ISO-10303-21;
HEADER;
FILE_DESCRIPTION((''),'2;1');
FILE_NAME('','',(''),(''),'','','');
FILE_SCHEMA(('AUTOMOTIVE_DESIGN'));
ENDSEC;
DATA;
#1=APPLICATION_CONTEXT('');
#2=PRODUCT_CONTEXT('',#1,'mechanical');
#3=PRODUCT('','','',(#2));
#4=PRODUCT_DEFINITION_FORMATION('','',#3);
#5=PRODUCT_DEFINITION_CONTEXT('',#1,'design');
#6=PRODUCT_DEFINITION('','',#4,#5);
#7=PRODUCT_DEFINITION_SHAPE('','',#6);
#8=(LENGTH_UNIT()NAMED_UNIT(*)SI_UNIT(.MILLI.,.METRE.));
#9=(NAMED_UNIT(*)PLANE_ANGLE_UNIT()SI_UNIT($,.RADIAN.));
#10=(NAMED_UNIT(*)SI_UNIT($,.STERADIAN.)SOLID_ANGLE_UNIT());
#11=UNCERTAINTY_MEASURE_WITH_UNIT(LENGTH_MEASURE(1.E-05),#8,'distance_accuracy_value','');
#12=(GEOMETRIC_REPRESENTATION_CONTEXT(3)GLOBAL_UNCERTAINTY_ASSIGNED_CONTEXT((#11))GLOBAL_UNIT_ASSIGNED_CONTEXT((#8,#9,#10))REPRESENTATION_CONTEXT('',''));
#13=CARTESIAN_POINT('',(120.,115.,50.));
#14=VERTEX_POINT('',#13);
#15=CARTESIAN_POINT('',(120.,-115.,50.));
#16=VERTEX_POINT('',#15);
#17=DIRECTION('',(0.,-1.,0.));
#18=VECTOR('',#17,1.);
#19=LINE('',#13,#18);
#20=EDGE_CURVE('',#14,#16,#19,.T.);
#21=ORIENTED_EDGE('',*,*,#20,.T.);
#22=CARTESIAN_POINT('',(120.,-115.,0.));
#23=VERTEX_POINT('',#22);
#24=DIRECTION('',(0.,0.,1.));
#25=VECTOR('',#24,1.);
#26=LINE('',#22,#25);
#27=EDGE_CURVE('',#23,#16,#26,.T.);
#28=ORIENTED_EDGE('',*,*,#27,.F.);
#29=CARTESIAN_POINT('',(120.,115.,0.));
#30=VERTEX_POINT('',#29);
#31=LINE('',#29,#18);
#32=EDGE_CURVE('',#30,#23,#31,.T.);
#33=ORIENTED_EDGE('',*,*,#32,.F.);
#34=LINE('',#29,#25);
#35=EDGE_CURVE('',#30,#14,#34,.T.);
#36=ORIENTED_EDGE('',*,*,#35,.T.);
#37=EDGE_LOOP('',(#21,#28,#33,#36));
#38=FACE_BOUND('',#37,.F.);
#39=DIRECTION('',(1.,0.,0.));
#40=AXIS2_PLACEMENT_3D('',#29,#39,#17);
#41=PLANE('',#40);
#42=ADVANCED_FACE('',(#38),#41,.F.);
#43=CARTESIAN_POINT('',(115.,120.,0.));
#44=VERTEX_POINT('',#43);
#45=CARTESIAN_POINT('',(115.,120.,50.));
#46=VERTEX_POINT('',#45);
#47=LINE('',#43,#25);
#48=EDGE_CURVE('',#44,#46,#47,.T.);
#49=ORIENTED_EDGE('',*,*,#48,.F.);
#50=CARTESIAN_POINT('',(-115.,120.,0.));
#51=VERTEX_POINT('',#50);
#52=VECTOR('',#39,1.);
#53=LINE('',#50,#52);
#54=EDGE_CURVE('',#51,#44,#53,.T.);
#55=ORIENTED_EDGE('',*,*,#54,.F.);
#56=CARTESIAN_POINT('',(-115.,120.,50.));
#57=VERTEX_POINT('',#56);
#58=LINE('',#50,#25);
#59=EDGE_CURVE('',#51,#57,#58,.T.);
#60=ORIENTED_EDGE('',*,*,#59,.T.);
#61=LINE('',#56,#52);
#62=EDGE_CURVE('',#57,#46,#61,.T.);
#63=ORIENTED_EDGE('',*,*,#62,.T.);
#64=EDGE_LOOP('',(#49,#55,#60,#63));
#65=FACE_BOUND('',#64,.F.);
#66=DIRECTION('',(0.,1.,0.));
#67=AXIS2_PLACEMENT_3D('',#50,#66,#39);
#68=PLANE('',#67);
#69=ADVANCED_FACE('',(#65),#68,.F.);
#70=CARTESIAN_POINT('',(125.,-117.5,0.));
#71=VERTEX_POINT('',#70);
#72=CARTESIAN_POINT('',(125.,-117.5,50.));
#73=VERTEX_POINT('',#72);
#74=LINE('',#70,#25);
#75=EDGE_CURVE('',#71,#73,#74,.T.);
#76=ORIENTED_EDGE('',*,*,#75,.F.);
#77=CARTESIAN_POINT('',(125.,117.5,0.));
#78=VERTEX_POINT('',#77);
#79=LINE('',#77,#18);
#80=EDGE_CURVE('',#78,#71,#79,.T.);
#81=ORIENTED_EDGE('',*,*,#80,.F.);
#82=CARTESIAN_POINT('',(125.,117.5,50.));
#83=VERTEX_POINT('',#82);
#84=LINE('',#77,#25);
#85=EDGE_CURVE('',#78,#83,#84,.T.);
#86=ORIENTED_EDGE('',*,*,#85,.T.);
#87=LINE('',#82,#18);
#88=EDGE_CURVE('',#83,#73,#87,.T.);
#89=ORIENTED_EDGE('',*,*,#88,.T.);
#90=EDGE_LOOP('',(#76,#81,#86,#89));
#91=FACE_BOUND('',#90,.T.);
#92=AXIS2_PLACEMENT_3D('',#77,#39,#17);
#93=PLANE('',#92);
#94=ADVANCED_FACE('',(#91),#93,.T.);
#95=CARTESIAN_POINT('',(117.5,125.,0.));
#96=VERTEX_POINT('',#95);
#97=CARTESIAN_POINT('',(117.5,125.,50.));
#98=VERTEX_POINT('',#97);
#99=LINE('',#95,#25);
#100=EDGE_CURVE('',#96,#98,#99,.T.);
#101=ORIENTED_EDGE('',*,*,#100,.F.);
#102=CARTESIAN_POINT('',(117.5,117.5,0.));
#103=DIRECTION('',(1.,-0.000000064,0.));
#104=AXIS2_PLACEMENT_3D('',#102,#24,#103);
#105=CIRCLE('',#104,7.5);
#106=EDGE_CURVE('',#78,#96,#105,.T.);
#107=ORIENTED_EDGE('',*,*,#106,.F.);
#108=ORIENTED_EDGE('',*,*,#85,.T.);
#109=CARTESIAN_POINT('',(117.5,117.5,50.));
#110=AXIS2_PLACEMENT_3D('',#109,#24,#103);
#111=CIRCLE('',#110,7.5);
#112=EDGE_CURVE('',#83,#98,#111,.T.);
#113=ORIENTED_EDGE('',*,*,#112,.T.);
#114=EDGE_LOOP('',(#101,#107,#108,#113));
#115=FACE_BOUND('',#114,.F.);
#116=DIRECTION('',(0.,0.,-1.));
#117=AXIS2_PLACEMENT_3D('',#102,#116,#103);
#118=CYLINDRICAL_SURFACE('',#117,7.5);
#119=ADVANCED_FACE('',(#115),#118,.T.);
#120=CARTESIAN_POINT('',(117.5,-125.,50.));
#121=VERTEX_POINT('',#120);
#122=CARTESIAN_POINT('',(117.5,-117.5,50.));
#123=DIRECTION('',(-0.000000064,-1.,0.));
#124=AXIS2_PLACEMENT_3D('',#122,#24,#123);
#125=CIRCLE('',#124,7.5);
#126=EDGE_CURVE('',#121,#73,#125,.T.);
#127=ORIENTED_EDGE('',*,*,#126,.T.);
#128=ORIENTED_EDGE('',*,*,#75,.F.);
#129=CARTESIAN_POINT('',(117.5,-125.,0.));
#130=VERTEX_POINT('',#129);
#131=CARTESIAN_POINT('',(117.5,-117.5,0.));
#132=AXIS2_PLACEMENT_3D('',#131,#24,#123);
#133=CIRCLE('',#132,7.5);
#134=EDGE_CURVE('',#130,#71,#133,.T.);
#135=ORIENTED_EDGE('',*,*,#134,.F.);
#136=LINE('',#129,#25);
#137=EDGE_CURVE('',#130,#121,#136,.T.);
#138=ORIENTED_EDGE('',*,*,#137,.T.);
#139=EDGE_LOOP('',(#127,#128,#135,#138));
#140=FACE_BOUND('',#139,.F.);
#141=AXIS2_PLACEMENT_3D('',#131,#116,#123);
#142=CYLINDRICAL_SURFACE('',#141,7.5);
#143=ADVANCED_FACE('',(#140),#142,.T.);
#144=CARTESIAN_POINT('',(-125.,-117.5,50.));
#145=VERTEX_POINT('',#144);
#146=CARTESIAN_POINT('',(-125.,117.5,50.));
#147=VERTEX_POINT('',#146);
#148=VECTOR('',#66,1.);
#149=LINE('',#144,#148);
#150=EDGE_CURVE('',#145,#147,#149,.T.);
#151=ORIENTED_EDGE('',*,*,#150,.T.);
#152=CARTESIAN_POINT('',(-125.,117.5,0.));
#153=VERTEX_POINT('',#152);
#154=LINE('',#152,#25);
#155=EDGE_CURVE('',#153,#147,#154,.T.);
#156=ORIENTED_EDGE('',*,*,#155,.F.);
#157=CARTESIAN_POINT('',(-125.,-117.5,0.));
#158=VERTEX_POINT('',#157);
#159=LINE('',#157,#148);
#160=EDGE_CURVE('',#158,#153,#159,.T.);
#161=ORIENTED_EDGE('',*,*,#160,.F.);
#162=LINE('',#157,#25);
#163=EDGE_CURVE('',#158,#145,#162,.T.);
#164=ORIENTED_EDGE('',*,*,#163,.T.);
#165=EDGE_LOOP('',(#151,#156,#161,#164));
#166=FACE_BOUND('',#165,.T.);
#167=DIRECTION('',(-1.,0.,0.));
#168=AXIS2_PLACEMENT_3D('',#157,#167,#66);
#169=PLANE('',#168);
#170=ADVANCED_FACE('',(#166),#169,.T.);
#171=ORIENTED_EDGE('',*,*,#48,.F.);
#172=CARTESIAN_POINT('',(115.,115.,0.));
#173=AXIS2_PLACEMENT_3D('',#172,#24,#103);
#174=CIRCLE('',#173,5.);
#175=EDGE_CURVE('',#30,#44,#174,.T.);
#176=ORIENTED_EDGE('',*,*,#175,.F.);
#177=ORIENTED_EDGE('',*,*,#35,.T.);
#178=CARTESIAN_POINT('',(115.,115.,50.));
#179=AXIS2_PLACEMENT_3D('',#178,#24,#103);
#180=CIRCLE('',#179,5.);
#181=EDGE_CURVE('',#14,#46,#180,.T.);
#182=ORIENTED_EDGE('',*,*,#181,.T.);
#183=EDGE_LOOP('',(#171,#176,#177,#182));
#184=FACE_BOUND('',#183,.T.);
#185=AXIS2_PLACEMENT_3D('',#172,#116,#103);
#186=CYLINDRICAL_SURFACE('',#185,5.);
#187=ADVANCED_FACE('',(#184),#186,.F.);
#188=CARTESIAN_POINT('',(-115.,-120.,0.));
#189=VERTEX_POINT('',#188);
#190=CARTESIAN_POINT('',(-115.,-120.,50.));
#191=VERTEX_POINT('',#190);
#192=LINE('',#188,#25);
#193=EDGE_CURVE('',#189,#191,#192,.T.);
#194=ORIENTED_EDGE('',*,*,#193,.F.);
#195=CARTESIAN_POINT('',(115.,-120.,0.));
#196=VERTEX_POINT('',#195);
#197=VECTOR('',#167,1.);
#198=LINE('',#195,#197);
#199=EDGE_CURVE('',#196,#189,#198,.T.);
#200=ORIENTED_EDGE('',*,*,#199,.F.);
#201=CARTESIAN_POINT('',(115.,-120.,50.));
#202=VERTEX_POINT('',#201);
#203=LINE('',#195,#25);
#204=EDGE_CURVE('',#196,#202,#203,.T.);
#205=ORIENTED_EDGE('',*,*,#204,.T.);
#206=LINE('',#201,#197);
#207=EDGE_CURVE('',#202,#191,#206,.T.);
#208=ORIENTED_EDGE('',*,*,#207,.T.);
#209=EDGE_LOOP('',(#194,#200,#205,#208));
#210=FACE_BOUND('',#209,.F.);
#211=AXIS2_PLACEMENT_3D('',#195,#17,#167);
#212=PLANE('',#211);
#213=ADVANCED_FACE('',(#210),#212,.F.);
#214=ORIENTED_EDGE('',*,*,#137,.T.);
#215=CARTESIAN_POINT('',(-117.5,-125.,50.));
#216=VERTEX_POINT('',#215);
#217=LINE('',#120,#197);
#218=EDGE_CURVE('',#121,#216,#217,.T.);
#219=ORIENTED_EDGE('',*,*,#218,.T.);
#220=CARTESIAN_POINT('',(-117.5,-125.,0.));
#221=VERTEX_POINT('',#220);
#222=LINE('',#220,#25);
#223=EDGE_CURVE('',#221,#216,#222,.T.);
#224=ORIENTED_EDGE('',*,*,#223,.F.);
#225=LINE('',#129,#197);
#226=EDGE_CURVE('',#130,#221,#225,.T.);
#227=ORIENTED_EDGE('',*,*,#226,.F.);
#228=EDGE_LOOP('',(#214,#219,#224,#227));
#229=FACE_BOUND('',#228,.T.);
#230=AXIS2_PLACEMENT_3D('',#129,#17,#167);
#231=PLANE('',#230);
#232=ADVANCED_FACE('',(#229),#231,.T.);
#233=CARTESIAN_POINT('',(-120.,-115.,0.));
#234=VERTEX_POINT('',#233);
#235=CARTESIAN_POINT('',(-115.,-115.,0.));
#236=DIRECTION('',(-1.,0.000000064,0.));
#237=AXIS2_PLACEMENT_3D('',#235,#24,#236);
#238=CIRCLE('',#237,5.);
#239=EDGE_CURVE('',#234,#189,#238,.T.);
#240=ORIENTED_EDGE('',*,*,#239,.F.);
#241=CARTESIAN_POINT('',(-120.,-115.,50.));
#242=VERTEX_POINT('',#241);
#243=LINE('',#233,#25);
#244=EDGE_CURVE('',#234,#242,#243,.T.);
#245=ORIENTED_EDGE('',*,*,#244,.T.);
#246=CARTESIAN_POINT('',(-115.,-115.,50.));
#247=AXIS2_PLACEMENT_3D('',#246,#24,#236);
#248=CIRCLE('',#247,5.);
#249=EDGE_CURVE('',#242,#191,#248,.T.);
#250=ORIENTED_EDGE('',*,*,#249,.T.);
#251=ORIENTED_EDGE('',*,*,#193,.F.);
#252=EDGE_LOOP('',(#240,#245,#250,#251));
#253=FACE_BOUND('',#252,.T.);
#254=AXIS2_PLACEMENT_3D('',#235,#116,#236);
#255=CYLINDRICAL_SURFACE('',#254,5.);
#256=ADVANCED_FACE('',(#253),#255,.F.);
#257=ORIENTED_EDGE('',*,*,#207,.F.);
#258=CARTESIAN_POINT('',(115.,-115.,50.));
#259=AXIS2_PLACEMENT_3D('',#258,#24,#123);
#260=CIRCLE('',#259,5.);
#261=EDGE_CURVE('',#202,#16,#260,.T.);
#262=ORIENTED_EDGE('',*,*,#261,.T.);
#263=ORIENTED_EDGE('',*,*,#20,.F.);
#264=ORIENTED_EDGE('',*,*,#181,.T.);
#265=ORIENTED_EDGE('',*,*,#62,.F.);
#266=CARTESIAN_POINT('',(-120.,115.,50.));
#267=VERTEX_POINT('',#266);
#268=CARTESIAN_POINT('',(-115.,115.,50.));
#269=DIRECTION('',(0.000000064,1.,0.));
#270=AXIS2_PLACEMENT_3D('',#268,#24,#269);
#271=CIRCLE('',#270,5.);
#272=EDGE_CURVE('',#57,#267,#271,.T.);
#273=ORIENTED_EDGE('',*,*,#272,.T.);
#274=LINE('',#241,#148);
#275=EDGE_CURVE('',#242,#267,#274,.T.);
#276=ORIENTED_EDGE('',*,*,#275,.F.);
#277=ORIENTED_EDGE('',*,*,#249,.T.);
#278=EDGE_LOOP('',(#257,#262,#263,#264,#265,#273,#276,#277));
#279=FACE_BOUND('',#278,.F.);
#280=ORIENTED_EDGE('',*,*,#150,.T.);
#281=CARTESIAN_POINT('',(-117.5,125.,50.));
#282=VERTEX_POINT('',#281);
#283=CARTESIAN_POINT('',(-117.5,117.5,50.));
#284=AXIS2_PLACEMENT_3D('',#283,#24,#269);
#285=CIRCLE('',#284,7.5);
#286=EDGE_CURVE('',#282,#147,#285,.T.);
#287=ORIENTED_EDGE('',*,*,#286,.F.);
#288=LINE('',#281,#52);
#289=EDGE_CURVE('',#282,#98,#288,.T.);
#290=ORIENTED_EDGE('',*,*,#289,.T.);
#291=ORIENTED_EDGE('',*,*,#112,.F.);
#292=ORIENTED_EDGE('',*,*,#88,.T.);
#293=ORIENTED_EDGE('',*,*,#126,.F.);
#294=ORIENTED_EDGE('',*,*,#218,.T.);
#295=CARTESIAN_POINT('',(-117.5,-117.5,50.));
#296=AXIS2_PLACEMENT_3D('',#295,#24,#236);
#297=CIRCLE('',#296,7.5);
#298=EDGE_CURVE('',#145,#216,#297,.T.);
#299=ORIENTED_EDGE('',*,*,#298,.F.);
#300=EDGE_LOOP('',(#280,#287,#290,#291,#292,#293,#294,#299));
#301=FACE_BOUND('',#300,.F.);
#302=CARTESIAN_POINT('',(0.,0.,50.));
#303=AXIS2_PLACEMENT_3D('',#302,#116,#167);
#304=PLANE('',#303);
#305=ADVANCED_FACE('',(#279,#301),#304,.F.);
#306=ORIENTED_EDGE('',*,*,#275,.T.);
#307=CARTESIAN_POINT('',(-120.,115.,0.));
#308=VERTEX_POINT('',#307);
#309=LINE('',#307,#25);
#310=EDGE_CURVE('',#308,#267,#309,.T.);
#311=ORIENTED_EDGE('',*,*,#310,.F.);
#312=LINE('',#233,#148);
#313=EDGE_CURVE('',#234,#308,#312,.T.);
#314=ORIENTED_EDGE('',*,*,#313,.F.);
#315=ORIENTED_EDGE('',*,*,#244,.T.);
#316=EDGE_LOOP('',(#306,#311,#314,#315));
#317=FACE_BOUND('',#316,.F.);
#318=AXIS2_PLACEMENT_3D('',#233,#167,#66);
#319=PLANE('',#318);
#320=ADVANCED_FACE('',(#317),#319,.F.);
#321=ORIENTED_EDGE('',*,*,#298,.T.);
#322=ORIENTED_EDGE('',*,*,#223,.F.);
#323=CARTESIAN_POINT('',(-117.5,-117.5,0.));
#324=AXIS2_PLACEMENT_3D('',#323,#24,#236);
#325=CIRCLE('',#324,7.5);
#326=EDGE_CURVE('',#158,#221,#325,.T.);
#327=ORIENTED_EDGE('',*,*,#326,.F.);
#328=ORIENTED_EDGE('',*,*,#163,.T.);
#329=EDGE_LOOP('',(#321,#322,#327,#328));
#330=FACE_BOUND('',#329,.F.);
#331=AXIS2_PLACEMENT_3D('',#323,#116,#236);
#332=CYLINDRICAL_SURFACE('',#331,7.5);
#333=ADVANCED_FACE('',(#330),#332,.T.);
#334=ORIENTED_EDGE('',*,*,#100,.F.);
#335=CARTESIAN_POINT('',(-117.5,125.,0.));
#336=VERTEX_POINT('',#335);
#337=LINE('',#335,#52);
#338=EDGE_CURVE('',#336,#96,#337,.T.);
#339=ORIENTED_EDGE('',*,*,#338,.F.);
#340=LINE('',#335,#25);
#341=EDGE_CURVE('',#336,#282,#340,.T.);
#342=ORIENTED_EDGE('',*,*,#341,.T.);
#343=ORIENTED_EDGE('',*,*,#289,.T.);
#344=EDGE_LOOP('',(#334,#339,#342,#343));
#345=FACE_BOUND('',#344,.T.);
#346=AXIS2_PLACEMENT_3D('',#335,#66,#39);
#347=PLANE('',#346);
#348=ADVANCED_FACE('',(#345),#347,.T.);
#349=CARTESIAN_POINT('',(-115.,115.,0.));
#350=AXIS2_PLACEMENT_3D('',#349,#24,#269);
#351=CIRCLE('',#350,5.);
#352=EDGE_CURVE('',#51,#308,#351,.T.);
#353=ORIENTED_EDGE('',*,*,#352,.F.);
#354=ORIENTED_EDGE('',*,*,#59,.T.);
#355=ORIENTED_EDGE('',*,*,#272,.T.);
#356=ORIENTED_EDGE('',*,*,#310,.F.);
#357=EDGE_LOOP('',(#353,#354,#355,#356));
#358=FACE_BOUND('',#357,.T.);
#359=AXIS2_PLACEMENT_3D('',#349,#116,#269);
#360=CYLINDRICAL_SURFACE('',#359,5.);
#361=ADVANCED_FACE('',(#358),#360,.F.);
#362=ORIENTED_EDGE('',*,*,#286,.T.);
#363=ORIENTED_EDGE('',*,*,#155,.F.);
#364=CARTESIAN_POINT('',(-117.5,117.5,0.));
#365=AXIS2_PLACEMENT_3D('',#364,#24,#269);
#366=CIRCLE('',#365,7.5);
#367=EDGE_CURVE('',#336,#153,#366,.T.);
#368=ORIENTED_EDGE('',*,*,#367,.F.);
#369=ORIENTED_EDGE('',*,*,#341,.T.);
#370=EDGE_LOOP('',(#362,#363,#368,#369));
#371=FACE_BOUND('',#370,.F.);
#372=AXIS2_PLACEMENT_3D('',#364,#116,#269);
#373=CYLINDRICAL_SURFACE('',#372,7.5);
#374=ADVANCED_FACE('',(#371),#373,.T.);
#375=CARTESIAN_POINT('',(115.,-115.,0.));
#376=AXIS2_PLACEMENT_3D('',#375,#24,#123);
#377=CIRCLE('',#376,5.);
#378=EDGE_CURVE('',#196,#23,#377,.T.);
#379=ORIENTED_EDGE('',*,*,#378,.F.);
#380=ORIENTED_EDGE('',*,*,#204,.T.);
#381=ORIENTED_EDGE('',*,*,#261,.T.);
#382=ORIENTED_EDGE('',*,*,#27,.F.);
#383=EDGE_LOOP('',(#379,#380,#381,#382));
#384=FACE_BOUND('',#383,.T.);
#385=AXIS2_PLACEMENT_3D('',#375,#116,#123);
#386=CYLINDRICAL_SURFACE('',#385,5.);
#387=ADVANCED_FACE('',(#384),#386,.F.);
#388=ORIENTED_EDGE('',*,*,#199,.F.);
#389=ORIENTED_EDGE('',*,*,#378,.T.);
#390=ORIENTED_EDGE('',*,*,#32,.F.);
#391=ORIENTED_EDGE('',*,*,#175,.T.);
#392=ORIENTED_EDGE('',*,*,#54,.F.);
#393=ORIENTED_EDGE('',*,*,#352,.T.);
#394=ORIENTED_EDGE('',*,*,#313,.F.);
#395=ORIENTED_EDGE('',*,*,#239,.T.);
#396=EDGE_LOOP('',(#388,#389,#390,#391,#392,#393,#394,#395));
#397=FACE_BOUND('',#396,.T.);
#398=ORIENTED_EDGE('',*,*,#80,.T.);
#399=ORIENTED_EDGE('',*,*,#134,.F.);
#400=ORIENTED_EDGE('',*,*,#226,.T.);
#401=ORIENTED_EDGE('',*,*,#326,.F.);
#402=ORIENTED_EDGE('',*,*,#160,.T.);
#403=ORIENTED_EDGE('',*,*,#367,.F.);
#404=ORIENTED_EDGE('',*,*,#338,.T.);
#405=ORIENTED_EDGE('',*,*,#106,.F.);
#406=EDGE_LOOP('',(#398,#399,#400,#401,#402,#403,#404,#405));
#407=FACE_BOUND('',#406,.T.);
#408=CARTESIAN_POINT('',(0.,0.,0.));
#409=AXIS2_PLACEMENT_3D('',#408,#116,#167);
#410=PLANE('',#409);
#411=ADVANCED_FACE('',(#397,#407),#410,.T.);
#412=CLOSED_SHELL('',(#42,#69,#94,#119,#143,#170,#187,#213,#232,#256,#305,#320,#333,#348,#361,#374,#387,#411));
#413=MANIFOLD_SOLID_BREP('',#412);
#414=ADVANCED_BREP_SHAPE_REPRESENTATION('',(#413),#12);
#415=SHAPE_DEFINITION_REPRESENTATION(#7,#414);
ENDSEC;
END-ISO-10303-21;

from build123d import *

# Parameters (mm, degrees)
EXTRUDE_DEPTH = 50


with BuildPart() as part:
    # Sketch → Extrude (new body)
    with BuildSketch(Plane.XY):
        with BuildLine():
            Line((-117.5, 125), (117.5, 125))
            ThreePointArc((125, 117.5), (122.803301, 122.803301), (117.5, 125))
            Line((125, 117.5), (125, -117.5))
            ThreePointArc((117.5, -125), (122.803301, -122.803301), (125, -117.5))
            Line((117.5, -125), (-117.5, -125))
            ThreePointArc((-125, -117.5), (-122.803301, -122.803301), (-117.5, -125))
            Line((-125, -117.5), (-125, 117.5))
            ThreePointArc((-117.5, 125), (-122.803301, 122.803301), (-125, 117.5))
        make_face()
        with BuildLine():
            Line((-115, 120), (115, 120))
            ThreePointArc((120, 115), (118.535534, 118.535534), (115, 120))
            Line((120, 115), (120, -115))
            ThreePointArc((115, -120), (118.535534, -118.535534), (120, -115))
            Line((115, -120), (-115, -120))
            ThreePointArc((-120, -115), (-118.535534, -118.535534), (-115, -120))
            Line((-120, -115), (-120, 115))
            ThreePointArc((-115, 120), (-118.535534, 118.535534), (-120, 115))
        make_face(mode=Mode.SUBTRACT)
    extrude(amount=EXTRUDE_DEPTH)


solid = part.part
